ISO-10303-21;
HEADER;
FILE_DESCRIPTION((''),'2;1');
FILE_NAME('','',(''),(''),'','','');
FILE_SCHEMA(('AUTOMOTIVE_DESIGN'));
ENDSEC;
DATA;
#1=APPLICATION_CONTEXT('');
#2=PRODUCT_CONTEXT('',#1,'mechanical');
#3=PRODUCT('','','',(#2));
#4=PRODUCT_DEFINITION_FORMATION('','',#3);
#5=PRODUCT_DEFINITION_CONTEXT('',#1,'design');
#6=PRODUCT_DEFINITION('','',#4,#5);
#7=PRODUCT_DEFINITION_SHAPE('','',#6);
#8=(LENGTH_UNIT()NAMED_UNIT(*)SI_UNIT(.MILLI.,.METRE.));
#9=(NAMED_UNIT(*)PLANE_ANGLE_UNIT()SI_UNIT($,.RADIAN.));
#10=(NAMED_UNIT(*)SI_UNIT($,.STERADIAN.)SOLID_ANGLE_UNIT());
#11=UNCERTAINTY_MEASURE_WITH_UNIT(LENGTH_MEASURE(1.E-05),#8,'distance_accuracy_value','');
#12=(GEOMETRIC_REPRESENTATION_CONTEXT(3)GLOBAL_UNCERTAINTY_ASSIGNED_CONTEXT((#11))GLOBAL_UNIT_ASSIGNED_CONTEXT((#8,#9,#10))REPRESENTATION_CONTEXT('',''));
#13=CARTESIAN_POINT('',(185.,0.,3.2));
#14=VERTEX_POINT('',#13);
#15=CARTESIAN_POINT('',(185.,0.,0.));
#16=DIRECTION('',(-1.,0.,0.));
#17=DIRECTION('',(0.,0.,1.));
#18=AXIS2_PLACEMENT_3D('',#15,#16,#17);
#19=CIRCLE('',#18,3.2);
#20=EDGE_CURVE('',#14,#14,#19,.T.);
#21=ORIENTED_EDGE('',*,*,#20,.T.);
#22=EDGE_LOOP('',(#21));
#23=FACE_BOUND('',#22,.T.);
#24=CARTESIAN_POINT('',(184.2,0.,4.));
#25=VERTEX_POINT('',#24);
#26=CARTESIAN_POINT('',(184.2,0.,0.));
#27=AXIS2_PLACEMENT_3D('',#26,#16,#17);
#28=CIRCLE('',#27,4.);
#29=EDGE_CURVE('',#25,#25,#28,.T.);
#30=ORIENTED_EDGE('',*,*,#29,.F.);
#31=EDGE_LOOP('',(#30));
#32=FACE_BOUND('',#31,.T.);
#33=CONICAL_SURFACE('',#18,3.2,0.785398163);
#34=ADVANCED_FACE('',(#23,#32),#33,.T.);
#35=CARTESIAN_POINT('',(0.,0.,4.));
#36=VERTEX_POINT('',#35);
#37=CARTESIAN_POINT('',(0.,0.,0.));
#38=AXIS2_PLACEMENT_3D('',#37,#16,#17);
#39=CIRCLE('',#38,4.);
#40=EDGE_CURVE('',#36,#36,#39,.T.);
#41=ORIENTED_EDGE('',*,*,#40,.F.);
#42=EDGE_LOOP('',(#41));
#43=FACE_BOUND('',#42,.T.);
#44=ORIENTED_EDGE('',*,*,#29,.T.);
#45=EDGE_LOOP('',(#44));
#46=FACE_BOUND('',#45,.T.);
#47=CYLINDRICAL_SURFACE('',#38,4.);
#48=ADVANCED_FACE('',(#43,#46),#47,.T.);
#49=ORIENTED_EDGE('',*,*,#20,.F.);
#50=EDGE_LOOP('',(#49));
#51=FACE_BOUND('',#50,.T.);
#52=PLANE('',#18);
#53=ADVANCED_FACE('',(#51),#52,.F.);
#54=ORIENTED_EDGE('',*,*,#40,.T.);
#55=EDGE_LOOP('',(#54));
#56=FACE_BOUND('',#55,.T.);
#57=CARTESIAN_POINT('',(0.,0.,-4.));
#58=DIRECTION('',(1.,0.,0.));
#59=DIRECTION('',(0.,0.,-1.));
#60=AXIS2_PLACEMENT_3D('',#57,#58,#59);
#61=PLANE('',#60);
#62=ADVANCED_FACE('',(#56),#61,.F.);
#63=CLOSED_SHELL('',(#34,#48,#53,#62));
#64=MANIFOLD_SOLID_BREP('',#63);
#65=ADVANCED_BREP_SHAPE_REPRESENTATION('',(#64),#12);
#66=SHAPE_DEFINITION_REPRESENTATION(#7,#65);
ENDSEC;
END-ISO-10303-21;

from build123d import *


with BuildPart() as part:
    # Croquis1 → Revolución1 (revolve)
    with BuildSketch(Plane(origin=(0, 0, 0), x_dir=(1, 0, 0), z_dir=(0, 1, 0)), mode=Mode.PRIVATE) as revoluci_n1_sk:
        Polygon((0, 0), (185, 0), (185, 3.2), (184.2, 4), (0, 4), align=None)
    revolve(revoluci_n1_sk.sketch.rotate(Axis((0, 0, 0), (1, 0, 0)), 180), axis=Axis((0, 0, 0), (1, 0, 0)))


solid = part.part
